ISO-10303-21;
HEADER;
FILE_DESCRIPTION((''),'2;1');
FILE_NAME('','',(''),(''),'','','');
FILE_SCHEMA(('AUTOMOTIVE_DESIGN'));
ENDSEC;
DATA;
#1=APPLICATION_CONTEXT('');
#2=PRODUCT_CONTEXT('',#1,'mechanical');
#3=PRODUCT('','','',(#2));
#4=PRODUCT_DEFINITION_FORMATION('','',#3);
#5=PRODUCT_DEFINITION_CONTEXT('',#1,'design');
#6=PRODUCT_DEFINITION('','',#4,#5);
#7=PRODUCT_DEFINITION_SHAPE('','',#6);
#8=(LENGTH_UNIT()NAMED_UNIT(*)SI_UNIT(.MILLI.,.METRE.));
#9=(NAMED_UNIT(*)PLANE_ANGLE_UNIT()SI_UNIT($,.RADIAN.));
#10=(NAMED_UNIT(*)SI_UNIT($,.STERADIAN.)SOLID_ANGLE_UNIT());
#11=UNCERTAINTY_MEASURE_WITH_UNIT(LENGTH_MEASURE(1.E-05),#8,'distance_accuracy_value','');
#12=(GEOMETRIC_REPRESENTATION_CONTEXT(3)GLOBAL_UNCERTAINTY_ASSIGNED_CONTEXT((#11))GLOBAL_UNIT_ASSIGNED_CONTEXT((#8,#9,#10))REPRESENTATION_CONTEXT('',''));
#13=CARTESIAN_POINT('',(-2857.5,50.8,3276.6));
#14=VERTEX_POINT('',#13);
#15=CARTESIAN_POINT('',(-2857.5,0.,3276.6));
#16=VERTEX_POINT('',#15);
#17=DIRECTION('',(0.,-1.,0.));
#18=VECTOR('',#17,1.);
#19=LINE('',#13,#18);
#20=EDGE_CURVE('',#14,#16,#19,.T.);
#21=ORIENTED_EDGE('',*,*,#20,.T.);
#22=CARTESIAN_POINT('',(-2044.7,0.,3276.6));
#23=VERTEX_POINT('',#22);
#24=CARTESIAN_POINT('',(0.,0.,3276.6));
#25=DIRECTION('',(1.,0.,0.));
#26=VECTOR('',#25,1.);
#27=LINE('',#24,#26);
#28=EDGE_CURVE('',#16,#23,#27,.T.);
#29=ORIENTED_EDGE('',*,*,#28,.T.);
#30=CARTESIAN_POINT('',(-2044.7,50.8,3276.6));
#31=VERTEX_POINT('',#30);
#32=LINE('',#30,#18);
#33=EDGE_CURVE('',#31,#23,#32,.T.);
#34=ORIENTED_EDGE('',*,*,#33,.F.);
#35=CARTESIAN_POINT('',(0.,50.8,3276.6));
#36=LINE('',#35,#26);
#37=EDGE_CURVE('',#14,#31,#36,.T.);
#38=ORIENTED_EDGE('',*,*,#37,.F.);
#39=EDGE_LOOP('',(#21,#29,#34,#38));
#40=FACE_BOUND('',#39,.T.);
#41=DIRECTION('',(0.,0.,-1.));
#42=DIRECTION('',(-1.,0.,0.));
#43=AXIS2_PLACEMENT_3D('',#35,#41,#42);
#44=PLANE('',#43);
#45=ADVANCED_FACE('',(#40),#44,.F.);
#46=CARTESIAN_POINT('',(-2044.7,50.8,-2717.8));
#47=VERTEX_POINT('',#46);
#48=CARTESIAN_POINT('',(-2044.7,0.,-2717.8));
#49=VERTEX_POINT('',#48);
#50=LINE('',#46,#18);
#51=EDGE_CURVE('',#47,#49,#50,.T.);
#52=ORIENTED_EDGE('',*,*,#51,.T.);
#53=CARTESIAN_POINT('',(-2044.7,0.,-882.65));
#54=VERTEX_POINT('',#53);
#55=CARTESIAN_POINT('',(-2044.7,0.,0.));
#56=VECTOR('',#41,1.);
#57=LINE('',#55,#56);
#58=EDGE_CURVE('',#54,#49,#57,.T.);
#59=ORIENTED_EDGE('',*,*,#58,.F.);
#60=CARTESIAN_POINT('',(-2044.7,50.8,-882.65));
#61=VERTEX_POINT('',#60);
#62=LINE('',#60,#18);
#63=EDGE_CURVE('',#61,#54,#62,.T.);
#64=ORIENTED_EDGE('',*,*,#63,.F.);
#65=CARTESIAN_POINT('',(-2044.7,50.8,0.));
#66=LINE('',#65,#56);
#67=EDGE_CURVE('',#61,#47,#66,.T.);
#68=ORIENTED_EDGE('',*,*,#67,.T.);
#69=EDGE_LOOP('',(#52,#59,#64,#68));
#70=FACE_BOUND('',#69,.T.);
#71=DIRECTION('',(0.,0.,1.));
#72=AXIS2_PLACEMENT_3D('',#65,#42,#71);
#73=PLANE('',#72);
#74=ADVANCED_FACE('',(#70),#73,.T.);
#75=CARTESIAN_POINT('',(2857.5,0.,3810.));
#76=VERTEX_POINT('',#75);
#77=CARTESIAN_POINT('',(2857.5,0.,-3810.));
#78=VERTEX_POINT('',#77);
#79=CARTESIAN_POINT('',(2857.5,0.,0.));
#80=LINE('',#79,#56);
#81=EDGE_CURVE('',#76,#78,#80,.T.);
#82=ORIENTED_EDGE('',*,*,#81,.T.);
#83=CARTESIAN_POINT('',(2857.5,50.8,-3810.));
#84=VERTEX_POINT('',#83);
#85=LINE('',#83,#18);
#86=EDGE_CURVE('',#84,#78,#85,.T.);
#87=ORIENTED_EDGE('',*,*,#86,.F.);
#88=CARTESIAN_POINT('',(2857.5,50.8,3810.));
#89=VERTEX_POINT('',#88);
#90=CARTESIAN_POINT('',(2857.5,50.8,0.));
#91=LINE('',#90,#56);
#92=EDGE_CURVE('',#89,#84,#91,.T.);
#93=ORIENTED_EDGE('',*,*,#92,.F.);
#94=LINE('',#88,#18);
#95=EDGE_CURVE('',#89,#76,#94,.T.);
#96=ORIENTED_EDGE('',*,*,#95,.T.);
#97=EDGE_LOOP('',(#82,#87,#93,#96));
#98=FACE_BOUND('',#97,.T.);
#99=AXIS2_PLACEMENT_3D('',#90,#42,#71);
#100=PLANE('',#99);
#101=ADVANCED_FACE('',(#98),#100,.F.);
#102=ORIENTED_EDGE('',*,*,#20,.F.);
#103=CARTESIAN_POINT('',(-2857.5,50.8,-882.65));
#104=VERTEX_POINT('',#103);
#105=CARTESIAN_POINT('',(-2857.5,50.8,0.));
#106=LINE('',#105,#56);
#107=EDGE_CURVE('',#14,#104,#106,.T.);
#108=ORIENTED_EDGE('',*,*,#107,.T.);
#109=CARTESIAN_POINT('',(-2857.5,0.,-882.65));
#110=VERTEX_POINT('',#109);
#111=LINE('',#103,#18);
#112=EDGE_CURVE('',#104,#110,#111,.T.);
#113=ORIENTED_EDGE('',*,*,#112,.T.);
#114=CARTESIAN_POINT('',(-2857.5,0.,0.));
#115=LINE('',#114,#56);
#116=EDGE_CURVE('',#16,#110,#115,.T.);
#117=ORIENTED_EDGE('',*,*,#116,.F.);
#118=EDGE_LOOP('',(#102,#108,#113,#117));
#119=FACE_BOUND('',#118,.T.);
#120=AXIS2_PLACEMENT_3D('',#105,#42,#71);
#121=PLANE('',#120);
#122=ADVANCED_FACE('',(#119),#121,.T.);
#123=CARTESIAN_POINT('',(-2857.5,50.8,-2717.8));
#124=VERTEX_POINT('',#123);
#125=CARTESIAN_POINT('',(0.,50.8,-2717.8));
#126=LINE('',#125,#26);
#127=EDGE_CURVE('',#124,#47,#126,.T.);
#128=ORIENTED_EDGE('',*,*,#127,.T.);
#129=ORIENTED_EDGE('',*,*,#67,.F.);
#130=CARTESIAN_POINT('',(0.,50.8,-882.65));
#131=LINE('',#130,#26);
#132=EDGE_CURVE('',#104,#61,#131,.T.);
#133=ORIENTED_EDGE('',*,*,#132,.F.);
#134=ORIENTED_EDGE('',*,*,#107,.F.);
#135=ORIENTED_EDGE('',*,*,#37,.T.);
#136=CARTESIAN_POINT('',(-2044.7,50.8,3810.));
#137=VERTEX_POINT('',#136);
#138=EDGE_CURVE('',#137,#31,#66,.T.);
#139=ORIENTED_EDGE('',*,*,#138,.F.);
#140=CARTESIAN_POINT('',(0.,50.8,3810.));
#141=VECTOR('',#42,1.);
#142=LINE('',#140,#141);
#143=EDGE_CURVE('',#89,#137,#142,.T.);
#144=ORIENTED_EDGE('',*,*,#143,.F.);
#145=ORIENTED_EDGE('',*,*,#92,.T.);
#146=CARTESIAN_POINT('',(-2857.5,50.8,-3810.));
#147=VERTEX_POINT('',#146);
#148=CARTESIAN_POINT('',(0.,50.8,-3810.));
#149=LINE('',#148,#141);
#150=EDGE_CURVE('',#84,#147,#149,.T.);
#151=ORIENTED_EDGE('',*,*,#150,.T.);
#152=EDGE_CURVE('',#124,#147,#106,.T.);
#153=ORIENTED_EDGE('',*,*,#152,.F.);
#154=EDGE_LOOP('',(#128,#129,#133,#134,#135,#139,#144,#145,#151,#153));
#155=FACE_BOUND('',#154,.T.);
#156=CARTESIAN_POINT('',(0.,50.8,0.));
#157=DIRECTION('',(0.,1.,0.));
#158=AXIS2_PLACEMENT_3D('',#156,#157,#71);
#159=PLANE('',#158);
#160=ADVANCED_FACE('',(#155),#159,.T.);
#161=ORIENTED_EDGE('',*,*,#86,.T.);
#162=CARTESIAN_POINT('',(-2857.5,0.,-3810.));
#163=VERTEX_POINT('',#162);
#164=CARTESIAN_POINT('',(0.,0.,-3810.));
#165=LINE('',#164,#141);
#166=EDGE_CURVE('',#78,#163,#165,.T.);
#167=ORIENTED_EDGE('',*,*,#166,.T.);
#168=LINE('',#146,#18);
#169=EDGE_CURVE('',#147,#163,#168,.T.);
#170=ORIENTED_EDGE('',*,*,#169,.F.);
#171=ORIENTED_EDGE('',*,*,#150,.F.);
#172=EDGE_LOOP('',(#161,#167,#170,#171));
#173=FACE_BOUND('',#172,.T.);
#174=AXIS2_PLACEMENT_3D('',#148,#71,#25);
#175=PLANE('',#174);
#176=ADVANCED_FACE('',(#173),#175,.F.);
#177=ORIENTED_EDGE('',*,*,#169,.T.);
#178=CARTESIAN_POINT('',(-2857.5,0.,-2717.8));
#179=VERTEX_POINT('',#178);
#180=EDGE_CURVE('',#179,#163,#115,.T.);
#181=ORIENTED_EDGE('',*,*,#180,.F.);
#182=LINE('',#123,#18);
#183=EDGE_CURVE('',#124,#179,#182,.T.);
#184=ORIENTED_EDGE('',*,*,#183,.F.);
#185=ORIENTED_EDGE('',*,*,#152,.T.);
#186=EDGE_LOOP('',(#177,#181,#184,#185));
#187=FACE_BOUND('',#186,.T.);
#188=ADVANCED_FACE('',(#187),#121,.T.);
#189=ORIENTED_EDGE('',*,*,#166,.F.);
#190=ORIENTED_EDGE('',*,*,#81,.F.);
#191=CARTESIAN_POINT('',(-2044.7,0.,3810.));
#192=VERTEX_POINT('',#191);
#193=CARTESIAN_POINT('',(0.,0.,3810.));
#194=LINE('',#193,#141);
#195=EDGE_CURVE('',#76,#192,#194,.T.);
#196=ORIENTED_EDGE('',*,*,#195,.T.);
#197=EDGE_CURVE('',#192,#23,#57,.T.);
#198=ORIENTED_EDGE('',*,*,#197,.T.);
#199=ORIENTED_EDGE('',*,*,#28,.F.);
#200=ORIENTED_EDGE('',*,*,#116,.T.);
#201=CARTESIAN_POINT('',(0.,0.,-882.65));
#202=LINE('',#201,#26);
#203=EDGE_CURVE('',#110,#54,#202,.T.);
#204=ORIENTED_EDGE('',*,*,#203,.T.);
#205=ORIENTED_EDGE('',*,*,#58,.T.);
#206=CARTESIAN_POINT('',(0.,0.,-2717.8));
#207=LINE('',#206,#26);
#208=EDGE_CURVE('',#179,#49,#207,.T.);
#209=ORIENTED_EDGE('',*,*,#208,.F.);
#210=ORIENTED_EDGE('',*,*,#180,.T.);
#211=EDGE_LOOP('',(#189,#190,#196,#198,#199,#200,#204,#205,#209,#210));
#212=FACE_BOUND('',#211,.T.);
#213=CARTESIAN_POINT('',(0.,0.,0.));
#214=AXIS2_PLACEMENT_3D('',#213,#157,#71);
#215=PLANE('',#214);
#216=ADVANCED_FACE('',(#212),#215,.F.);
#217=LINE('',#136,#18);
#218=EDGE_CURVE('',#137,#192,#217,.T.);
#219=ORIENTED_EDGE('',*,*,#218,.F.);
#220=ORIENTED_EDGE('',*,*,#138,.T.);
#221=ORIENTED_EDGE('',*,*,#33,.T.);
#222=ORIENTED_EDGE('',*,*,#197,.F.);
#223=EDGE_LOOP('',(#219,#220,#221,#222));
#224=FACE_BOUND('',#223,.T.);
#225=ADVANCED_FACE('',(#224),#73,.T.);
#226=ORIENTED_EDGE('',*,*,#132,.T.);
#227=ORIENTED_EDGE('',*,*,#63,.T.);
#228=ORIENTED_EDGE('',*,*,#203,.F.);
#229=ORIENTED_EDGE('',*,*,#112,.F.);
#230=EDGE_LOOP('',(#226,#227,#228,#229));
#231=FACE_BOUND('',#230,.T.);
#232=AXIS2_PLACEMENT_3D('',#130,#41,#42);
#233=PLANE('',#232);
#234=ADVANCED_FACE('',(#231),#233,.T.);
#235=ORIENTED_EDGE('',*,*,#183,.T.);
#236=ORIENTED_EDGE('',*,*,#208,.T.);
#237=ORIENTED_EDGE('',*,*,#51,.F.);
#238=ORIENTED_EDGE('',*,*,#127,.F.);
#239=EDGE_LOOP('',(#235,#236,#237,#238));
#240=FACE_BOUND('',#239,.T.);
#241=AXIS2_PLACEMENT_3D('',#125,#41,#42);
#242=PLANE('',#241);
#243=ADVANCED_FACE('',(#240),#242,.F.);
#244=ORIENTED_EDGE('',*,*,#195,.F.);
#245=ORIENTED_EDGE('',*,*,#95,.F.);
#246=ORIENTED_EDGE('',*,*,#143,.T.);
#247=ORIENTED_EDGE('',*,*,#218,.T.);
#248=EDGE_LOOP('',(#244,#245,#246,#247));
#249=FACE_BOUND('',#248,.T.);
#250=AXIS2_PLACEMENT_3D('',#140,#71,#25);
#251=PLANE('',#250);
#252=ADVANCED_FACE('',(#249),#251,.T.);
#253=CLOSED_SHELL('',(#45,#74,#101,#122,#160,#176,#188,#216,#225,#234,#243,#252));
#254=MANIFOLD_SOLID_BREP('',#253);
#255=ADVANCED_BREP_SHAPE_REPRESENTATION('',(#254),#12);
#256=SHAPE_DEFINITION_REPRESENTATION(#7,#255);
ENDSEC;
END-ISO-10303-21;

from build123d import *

# Parameters (mm, degrees)
BOSS_EXTRUDE2_DEPTH = 50.8


with BuildPart() as part:
    # Sketch1 → Boss-Extrude2 (new body)
    with BuildSketch(Plane(origin=(0, 0, 0), x_dir=(1, 0, 0), z_dir=(0, 1, 0))):
        Polygon((-2044.7, 882.65), (-2857.5, 882.65), (-2857.5, -3276.6), (-2044.7, -3276.6), (-2044.7, -3810), (2857.5, -3810), (2857.5, 3810), (-2857.5, 3810), (-2857.5, 2717.8), (-2044.7, 2717.8), align=None)
    extrude(amount=BOSS_EXTRUDE2_DEPTH)


solid = part.part
